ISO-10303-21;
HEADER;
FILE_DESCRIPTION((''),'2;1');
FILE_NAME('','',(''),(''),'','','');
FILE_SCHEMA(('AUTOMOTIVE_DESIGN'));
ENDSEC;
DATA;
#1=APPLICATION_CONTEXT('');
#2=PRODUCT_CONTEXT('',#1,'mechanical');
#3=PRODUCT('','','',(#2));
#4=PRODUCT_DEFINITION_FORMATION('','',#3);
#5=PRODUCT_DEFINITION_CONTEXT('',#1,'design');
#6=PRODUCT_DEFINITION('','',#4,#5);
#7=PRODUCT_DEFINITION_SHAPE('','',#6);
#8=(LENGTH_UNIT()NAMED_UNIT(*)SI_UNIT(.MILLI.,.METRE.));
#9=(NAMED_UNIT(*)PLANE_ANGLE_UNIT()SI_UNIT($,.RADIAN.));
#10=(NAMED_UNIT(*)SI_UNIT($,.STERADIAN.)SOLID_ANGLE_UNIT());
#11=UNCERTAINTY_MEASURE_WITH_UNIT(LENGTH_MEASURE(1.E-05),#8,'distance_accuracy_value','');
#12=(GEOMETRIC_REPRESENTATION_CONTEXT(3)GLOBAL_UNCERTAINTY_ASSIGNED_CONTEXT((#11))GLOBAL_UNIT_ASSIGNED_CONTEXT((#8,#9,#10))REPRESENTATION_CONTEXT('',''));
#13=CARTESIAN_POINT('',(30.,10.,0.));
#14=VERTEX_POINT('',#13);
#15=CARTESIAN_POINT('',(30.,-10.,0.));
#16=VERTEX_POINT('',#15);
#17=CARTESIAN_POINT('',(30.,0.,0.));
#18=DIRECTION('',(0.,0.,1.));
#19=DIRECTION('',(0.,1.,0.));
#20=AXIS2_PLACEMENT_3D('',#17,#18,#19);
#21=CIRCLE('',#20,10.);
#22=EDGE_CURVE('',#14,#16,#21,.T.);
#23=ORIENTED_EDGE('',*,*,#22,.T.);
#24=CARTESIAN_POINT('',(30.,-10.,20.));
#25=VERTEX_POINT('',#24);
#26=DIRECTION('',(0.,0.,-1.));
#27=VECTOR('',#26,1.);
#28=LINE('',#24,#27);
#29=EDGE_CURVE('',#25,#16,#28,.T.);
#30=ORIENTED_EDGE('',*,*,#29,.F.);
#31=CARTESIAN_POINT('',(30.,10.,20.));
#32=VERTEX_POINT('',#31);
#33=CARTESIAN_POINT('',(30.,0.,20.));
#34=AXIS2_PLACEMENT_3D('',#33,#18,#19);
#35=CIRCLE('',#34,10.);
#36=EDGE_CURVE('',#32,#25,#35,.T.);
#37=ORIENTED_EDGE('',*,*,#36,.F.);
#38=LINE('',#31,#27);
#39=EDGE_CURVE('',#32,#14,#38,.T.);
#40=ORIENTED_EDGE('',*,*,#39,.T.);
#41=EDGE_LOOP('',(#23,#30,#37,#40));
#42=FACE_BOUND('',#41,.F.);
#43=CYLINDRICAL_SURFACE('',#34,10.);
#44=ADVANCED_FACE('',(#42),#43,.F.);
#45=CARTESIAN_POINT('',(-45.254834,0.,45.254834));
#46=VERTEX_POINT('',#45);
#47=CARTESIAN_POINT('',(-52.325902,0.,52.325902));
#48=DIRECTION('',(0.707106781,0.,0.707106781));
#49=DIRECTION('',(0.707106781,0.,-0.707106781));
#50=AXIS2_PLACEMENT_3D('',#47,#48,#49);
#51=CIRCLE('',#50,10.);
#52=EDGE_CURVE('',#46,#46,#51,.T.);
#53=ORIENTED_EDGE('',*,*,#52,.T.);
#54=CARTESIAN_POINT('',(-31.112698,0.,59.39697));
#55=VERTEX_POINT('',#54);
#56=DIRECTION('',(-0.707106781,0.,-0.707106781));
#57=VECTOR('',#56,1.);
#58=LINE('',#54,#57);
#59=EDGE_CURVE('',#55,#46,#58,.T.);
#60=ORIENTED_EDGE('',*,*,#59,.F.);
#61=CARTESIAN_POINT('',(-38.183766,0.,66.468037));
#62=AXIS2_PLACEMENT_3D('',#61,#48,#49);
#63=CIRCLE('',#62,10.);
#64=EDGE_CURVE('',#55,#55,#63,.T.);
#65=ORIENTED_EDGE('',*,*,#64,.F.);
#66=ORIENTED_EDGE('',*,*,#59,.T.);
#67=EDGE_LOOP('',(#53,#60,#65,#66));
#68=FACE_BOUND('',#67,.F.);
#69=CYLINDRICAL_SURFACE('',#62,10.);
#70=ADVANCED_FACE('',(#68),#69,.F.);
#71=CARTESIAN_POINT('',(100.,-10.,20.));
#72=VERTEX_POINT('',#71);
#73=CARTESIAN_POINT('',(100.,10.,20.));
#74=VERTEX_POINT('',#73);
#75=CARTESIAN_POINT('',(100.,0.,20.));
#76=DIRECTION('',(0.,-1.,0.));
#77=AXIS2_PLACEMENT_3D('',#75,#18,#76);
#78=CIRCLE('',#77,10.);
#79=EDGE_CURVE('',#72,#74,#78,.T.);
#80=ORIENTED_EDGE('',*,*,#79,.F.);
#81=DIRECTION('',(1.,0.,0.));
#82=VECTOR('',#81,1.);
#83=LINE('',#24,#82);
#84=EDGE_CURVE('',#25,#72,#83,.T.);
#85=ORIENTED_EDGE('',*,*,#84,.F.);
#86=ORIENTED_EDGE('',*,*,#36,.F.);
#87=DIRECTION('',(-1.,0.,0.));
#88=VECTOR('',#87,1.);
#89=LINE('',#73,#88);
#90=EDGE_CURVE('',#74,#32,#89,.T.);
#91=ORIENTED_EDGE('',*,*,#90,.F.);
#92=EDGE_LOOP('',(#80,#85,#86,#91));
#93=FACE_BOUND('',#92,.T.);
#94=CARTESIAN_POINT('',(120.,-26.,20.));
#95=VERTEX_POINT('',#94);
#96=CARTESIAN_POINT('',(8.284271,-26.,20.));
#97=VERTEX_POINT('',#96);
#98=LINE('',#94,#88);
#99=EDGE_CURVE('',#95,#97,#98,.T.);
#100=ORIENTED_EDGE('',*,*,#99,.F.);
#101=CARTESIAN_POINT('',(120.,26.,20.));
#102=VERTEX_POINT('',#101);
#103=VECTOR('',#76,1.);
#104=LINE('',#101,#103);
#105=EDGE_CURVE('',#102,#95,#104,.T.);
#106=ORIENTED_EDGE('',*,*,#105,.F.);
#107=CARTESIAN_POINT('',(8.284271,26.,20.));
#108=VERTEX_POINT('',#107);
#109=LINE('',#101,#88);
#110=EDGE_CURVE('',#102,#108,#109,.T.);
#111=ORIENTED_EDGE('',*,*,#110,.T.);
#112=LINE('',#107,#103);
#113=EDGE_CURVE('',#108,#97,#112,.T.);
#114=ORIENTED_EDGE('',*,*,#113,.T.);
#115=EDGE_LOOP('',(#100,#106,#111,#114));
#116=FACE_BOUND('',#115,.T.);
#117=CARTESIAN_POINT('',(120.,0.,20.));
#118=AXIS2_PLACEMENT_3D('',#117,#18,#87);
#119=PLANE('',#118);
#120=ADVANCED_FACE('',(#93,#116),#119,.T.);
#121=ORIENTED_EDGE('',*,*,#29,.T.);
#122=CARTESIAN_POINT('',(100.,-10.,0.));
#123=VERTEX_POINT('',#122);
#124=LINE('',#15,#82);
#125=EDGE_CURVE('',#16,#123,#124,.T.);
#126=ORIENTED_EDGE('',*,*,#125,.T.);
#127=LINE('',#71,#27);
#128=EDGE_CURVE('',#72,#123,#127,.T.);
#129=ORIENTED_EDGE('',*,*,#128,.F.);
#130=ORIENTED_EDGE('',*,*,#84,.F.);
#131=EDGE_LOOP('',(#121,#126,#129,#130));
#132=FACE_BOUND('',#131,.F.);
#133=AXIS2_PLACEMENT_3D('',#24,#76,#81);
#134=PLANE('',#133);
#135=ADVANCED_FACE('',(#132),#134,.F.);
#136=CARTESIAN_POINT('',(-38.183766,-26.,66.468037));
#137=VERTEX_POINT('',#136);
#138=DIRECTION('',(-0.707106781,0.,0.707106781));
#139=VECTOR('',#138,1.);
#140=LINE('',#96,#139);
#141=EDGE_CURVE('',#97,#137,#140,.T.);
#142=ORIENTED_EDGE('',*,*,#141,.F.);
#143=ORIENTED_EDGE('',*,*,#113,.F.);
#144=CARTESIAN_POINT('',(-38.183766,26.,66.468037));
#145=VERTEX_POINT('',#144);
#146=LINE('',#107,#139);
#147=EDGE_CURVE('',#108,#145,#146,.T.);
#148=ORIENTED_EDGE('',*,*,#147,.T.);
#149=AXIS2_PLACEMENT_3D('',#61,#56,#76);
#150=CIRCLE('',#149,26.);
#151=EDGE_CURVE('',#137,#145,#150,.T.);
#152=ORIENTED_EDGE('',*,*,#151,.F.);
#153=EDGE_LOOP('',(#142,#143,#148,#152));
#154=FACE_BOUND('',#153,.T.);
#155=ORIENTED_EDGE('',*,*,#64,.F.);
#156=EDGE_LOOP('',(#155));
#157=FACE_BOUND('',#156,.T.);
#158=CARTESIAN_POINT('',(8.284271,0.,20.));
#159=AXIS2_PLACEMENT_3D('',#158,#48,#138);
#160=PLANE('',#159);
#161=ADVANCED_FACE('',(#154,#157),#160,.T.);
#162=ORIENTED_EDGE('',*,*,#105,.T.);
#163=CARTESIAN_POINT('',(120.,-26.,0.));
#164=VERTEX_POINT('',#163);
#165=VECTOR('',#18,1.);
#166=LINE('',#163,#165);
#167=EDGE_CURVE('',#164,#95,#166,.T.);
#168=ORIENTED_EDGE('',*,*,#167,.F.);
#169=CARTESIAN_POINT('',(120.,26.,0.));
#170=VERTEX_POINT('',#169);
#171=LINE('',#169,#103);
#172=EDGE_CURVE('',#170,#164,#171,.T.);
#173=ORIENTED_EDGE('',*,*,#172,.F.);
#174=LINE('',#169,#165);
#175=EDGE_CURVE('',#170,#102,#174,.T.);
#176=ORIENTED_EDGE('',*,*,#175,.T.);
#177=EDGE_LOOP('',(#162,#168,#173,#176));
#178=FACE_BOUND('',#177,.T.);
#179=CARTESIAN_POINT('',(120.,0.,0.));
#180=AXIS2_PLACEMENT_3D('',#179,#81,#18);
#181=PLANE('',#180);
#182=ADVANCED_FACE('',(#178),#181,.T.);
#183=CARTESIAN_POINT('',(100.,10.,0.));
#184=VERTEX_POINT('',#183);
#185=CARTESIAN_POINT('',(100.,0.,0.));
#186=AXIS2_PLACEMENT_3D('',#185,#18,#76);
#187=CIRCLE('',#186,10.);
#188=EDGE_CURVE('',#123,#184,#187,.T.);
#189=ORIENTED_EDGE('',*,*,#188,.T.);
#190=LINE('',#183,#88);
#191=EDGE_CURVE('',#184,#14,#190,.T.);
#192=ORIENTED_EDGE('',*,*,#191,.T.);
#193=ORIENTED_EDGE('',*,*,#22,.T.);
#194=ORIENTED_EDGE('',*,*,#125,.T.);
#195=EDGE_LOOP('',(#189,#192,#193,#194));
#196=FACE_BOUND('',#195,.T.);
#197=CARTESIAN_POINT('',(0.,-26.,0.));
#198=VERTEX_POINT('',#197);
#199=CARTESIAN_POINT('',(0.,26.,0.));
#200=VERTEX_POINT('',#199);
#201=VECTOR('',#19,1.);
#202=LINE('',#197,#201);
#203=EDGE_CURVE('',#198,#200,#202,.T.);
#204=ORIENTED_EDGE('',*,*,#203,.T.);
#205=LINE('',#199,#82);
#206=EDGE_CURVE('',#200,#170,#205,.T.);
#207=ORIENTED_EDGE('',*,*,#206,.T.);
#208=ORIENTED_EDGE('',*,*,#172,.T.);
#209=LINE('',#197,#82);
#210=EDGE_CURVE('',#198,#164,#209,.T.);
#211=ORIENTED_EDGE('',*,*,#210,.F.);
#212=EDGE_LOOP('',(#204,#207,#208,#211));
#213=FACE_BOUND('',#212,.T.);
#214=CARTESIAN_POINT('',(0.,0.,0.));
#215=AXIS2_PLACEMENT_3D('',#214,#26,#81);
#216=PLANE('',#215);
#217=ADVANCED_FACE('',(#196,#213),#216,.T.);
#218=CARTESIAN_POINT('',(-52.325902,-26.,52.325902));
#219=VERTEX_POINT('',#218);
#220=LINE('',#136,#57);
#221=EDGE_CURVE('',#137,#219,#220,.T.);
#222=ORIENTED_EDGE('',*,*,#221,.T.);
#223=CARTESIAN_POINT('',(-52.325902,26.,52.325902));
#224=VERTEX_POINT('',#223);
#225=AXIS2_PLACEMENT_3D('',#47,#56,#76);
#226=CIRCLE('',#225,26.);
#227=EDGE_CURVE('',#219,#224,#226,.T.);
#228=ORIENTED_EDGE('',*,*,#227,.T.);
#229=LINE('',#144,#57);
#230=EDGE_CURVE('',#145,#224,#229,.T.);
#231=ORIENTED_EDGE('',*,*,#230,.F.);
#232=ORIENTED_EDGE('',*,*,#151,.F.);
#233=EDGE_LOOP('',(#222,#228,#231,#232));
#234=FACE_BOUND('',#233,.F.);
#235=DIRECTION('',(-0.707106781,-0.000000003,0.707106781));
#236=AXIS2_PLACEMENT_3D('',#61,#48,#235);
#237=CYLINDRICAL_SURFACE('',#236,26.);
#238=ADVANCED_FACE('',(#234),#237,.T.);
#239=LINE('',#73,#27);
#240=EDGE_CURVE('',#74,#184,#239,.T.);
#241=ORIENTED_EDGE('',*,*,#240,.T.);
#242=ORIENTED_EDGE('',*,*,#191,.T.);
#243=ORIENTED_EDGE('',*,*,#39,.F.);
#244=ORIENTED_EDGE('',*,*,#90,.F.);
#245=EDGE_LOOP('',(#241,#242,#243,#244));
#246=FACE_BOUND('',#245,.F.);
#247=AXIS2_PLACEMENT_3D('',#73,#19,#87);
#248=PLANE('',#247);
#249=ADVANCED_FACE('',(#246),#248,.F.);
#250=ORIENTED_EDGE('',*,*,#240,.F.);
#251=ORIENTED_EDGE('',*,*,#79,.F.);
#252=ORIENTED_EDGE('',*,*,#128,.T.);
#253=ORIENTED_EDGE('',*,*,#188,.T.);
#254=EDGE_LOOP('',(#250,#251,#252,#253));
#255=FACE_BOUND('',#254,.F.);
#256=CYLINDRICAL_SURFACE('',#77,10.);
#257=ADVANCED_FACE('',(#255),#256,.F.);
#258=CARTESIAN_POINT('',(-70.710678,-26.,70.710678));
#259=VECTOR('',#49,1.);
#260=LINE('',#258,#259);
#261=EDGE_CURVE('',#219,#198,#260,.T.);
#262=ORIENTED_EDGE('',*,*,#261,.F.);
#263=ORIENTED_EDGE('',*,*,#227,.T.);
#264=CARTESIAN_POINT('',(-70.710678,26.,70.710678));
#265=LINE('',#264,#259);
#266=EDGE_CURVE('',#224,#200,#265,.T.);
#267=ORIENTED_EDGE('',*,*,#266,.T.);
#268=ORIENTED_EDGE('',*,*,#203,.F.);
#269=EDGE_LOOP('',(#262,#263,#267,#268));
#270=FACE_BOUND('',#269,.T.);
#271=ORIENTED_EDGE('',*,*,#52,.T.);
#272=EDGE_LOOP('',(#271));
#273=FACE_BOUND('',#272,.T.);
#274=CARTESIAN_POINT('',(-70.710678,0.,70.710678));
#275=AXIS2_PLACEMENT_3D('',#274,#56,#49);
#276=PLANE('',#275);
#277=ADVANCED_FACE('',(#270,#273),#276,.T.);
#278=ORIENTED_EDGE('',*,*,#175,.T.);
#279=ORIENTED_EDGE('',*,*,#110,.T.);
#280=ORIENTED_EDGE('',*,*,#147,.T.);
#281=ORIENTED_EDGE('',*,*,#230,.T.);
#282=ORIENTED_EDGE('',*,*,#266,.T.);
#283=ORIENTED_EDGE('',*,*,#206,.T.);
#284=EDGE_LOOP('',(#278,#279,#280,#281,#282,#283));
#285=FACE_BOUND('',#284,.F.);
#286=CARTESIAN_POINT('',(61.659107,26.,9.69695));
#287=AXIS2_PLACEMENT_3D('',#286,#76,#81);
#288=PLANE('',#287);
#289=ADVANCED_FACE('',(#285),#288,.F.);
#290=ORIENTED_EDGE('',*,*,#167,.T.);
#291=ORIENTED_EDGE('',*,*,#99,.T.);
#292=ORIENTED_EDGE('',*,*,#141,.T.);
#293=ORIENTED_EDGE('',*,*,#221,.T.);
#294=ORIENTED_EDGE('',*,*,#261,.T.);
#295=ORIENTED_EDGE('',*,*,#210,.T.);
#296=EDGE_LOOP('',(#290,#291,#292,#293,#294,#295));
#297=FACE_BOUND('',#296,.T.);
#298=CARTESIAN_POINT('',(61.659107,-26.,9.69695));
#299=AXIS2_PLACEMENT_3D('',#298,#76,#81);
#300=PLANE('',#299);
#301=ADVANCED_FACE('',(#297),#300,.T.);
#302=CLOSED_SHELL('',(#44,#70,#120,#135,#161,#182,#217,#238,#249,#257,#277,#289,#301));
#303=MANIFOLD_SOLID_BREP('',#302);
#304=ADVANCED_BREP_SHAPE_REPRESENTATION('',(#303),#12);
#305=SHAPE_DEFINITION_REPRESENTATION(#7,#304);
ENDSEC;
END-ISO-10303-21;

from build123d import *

# Parameters (mm, degrees)
F1_DEPTH = 26
F3_DEPTH = 20
F4_R     = 10
F5_DEPTH = 20


with BuildPart() as f1:
    # F0 (on Front) → F1 (new body, symmetric)
    with BuildSketch(Plane.XZ):
        Polygon((8.2842712475, 20), (0, 0), (120, 0), (120, 20), align=None)
        Polygon((-70.7106781187, 70.7106781187), (0, 0), (8.2842712475, 20), (-56.5685424949, 84.8528137424), align=None)
    extrude(amount=F1_DEPTH, both=True)

    # F2 (on face) → F3 (cut, through all)
    with BuildSketch(Plane.XY.offset(20)):
        with BuildLine():
            ThreePointArc((100, -10), (110, 0), (100, 10))
            Line((100, 10), (30, 10))
            ThreePointArc((30, 10), (20, 0), (30, -10))
            Line((30, -10), (100, -10))
        make_face()
    extrude(amount=-F3_DEPTH, mode=Mode.SUBTRACT)

    # F4 (on face) → F5 (cut, through all)
    with BuildSketch(Plane(origin=(14.1421356237, 0, 14.1421356237), x_dir=(0.7071067812, 0, -0.7071067812), z_dir=(0.7071067812, 0, 0.7071067812))):
        with Locations((-74, 0)):
            Circle(F4_R)
        with BuildLine():
            ThreePointArc((-100, -7.05e-08), (-92.3847763358, 18.3847762859), (-74, 26))
            Line((-74, 26), (-100, 26))
            Line((-100, 26), (-100, -7.05e-08))
        make_face()
        with BuildLine():
            ThreePointArc((-74, -26), (-92.3847762859, -18.3847763358), (-100, -7.05e-08))
            Line((-100, -7.05e-08), (-100, -26))
            Line((-100, -26), (-74, -26))
        make_face()
    extrude(amount=-F5_DEPTH, mode=Mode.SUBTRACT)


solid = f1.part
